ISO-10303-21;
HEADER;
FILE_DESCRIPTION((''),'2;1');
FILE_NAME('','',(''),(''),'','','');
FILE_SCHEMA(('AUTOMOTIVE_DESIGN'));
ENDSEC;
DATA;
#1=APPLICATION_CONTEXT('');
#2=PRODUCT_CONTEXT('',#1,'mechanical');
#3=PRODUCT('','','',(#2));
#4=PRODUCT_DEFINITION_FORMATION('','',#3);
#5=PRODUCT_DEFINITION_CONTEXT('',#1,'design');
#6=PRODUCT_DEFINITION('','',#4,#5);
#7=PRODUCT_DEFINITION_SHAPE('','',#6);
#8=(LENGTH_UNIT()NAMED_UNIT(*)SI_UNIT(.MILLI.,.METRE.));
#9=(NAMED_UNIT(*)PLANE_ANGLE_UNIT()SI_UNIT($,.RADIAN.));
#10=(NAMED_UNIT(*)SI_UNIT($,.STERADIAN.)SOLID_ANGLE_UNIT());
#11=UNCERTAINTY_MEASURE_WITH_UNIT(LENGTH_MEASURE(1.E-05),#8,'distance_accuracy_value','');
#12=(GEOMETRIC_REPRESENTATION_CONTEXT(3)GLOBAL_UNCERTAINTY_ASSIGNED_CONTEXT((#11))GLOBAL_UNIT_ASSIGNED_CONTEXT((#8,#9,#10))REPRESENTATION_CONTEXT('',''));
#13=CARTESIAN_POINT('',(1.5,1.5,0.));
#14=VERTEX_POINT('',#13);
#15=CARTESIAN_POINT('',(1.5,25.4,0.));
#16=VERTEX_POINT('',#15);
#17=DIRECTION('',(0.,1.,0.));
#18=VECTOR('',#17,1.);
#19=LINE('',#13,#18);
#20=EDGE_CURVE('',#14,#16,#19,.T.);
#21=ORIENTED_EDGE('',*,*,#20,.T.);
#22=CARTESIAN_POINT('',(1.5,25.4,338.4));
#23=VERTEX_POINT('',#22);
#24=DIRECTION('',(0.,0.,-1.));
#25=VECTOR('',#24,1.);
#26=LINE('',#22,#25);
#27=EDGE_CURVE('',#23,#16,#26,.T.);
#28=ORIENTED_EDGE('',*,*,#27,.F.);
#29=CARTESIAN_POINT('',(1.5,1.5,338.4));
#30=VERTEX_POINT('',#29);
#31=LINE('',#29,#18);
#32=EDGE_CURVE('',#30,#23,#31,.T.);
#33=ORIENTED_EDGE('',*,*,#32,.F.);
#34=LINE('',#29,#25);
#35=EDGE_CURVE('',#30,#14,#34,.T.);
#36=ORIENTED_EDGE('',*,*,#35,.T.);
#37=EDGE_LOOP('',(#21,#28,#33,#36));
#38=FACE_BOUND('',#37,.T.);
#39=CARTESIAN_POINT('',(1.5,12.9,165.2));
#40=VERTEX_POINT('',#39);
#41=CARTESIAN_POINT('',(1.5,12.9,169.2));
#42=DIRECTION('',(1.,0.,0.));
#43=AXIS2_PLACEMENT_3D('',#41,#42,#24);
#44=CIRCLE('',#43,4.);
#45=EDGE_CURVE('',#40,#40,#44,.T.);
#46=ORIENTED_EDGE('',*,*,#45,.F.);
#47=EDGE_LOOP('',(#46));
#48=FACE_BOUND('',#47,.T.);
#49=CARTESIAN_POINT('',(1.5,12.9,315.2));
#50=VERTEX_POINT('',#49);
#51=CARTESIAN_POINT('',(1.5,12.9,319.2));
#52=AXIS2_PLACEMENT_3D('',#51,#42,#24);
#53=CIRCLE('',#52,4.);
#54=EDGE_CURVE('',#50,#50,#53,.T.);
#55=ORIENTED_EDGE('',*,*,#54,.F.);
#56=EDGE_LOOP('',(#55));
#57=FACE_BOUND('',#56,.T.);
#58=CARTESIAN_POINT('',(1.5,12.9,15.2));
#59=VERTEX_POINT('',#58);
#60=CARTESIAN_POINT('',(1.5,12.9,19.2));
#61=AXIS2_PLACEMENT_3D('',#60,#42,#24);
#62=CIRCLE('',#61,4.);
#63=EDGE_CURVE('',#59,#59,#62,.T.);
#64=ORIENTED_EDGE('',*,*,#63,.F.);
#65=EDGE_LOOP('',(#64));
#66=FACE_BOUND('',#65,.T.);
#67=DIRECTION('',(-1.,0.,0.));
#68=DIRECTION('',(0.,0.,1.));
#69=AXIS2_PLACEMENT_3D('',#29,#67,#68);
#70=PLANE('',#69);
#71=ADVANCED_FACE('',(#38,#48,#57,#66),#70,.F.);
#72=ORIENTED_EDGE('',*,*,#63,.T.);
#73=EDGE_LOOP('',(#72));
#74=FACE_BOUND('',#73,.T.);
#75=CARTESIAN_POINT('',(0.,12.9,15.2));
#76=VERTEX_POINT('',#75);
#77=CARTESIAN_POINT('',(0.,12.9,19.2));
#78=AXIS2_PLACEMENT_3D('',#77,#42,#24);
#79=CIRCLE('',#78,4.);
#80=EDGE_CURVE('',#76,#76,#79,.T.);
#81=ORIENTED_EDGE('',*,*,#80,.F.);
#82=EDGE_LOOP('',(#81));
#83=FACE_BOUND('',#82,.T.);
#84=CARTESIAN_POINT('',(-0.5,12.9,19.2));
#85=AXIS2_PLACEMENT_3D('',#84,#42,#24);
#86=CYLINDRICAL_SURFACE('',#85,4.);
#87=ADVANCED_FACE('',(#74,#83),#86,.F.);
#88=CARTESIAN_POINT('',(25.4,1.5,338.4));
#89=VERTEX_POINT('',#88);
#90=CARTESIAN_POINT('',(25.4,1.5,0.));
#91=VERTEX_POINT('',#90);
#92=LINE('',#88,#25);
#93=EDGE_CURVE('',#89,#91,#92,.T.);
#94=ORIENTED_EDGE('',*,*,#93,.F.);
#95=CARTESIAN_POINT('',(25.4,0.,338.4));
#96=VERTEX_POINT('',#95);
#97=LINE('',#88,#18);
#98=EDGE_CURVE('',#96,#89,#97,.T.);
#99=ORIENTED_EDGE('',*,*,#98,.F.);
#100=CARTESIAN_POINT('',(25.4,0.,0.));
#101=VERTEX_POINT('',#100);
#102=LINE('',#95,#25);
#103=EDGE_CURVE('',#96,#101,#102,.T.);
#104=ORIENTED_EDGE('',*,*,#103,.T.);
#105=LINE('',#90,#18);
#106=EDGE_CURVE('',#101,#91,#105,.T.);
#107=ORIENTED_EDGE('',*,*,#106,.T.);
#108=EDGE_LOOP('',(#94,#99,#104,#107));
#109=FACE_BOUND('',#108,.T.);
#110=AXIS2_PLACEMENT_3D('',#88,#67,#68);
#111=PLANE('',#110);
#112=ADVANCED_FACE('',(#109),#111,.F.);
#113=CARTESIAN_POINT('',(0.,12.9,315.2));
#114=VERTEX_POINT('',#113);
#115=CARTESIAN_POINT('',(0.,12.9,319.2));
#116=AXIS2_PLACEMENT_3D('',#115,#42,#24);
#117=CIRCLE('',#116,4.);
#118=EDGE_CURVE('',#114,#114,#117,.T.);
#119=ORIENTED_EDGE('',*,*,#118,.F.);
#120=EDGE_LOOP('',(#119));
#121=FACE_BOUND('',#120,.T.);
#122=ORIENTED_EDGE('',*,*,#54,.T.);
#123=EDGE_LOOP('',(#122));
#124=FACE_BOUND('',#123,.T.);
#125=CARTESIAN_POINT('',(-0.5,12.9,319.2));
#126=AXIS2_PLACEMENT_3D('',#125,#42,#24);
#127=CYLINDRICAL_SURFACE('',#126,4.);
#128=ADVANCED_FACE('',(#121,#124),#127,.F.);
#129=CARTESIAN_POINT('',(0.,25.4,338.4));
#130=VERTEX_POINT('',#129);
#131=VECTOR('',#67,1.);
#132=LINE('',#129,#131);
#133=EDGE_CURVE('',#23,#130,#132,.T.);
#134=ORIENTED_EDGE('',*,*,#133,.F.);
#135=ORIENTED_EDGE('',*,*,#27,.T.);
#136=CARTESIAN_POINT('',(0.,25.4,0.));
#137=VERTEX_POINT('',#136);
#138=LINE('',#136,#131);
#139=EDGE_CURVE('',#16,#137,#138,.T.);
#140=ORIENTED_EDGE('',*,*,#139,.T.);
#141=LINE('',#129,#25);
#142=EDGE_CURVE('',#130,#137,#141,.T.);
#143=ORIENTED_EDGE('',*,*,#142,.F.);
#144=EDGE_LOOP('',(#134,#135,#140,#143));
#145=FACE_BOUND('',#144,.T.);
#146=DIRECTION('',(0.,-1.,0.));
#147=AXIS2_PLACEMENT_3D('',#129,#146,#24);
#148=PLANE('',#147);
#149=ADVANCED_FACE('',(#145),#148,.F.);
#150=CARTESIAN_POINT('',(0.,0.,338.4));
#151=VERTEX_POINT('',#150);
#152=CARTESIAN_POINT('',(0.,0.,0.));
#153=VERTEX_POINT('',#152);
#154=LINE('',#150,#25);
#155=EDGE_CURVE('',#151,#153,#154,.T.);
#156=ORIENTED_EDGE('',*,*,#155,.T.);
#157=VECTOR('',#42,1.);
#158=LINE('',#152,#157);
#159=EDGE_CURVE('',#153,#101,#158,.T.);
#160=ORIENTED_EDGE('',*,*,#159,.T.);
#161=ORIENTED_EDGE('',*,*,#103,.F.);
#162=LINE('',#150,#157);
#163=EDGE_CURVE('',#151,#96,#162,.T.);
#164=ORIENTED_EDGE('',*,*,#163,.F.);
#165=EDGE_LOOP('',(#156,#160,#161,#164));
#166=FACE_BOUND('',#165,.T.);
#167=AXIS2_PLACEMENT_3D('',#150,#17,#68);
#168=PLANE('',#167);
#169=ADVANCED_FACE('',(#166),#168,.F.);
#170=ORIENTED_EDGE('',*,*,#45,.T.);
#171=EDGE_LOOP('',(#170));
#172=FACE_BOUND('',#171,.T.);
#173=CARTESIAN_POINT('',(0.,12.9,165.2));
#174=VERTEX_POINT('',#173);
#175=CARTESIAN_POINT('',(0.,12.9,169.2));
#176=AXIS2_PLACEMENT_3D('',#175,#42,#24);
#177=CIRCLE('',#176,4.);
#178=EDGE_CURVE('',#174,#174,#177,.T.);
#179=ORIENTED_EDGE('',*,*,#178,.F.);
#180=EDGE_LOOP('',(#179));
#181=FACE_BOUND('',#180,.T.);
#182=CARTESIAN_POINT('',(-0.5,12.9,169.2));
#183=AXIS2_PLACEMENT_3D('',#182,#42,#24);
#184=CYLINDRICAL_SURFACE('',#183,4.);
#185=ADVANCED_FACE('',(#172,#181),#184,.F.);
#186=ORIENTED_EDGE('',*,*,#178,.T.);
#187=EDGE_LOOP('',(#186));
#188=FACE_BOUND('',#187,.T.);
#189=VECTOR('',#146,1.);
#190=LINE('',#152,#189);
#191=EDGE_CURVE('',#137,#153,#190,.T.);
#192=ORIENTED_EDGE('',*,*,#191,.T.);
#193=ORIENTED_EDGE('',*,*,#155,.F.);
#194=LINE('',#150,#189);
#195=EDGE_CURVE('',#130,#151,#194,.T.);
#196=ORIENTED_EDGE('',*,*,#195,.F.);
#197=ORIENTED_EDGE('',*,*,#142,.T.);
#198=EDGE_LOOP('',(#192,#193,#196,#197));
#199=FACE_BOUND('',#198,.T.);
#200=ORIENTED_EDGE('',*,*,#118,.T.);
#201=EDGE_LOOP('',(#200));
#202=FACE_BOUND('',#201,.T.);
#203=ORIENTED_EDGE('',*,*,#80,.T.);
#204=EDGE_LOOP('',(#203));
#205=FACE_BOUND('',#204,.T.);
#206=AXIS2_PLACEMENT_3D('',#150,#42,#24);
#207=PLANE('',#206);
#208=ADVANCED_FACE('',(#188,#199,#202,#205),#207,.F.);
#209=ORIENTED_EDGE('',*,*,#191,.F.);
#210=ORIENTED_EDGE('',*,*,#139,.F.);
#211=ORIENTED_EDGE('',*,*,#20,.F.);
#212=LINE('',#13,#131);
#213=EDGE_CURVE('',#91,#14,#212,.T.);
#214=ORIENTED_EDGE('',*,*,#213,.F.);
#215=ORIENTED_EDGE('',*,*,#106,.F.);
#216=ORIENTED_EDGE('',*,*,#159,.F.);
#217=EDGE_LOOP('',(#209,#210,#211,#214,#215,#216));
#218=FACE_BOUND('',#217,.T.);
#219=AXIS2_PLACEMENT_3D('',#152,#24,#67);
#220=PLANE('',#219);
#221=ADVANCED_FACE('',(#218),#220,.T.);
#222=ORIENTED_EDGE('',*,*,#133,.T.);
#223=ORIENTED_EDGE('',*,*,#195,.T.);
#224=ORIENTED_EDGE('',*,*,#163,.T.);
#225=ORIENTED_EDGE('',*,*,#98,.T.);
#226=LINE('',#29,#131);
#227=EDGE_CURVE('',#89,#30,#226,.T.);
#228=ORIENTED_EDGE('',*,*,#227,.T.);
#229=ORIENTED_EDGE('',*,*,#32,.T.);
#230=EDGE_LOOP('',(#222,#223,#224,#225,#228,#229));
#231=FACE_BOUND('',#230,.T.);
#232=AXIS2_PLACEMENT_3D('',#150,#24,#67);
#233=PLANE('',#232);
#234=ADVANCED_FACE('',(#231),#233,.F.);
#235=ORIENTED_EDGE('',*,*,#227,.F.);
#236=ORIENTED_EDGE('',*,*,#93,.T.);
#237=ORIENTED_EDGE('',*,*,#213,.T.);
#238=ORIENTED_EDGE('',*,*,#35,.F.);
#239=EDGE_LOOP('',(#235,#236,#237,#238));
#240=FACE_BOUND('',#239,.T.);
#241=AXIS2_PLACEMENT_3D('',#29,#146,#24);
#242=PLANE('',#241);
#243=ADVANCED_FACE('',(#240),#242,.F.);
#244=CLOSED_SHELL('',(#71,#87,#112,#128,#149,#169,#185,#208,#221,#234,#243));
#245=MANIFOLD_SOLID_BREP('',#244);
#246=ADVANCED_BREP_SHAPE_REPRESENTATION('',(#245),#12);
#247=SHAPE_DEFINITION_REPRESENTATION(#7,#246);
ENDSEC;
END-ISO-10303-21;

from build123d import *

# Parameters (mm, degrees)
SALIENTE_EXTRUIR1_DEPTH = 338.4
CROQUIS2_R              = 4
CORTAR_EXTRUIR1_DEPTH   = 2


with BuildPart() as part:
    # Croquis1 → Saliente-Extruir1 (new body)
    with BuildSketch(Plane.XY):
        Polygon((0, 0), (0, 25.4), (1.5, 25.4), (1.5, 1.5), (25.4, 1.5), (25.4, 0), align=None)
    extrude(amount=SALIENTE_EXTRUIR1_DEPTH)

    # Croquis2 → Cortar-Extruir1 (cut)
    with BuildSketch(Plane(origin=(1.5, 0, 0), x_dir=(0, 0, -1), z_dir=(1, 0, 0))):
        with Locations((-19.2, 12.9)):
            Circle(CROQUIS2_R)
        with Locations((-319.2, 12.9)):
            Circle(CROQUIS2_R)
        with Locations((-169.2, 12.9)):
            Circle(CROQUIS2_R)
    extrude(amount=-CORTAR_EXTRUIR1_DEPTH, mode=Mode.SUBTRACT)


solid = part.part
